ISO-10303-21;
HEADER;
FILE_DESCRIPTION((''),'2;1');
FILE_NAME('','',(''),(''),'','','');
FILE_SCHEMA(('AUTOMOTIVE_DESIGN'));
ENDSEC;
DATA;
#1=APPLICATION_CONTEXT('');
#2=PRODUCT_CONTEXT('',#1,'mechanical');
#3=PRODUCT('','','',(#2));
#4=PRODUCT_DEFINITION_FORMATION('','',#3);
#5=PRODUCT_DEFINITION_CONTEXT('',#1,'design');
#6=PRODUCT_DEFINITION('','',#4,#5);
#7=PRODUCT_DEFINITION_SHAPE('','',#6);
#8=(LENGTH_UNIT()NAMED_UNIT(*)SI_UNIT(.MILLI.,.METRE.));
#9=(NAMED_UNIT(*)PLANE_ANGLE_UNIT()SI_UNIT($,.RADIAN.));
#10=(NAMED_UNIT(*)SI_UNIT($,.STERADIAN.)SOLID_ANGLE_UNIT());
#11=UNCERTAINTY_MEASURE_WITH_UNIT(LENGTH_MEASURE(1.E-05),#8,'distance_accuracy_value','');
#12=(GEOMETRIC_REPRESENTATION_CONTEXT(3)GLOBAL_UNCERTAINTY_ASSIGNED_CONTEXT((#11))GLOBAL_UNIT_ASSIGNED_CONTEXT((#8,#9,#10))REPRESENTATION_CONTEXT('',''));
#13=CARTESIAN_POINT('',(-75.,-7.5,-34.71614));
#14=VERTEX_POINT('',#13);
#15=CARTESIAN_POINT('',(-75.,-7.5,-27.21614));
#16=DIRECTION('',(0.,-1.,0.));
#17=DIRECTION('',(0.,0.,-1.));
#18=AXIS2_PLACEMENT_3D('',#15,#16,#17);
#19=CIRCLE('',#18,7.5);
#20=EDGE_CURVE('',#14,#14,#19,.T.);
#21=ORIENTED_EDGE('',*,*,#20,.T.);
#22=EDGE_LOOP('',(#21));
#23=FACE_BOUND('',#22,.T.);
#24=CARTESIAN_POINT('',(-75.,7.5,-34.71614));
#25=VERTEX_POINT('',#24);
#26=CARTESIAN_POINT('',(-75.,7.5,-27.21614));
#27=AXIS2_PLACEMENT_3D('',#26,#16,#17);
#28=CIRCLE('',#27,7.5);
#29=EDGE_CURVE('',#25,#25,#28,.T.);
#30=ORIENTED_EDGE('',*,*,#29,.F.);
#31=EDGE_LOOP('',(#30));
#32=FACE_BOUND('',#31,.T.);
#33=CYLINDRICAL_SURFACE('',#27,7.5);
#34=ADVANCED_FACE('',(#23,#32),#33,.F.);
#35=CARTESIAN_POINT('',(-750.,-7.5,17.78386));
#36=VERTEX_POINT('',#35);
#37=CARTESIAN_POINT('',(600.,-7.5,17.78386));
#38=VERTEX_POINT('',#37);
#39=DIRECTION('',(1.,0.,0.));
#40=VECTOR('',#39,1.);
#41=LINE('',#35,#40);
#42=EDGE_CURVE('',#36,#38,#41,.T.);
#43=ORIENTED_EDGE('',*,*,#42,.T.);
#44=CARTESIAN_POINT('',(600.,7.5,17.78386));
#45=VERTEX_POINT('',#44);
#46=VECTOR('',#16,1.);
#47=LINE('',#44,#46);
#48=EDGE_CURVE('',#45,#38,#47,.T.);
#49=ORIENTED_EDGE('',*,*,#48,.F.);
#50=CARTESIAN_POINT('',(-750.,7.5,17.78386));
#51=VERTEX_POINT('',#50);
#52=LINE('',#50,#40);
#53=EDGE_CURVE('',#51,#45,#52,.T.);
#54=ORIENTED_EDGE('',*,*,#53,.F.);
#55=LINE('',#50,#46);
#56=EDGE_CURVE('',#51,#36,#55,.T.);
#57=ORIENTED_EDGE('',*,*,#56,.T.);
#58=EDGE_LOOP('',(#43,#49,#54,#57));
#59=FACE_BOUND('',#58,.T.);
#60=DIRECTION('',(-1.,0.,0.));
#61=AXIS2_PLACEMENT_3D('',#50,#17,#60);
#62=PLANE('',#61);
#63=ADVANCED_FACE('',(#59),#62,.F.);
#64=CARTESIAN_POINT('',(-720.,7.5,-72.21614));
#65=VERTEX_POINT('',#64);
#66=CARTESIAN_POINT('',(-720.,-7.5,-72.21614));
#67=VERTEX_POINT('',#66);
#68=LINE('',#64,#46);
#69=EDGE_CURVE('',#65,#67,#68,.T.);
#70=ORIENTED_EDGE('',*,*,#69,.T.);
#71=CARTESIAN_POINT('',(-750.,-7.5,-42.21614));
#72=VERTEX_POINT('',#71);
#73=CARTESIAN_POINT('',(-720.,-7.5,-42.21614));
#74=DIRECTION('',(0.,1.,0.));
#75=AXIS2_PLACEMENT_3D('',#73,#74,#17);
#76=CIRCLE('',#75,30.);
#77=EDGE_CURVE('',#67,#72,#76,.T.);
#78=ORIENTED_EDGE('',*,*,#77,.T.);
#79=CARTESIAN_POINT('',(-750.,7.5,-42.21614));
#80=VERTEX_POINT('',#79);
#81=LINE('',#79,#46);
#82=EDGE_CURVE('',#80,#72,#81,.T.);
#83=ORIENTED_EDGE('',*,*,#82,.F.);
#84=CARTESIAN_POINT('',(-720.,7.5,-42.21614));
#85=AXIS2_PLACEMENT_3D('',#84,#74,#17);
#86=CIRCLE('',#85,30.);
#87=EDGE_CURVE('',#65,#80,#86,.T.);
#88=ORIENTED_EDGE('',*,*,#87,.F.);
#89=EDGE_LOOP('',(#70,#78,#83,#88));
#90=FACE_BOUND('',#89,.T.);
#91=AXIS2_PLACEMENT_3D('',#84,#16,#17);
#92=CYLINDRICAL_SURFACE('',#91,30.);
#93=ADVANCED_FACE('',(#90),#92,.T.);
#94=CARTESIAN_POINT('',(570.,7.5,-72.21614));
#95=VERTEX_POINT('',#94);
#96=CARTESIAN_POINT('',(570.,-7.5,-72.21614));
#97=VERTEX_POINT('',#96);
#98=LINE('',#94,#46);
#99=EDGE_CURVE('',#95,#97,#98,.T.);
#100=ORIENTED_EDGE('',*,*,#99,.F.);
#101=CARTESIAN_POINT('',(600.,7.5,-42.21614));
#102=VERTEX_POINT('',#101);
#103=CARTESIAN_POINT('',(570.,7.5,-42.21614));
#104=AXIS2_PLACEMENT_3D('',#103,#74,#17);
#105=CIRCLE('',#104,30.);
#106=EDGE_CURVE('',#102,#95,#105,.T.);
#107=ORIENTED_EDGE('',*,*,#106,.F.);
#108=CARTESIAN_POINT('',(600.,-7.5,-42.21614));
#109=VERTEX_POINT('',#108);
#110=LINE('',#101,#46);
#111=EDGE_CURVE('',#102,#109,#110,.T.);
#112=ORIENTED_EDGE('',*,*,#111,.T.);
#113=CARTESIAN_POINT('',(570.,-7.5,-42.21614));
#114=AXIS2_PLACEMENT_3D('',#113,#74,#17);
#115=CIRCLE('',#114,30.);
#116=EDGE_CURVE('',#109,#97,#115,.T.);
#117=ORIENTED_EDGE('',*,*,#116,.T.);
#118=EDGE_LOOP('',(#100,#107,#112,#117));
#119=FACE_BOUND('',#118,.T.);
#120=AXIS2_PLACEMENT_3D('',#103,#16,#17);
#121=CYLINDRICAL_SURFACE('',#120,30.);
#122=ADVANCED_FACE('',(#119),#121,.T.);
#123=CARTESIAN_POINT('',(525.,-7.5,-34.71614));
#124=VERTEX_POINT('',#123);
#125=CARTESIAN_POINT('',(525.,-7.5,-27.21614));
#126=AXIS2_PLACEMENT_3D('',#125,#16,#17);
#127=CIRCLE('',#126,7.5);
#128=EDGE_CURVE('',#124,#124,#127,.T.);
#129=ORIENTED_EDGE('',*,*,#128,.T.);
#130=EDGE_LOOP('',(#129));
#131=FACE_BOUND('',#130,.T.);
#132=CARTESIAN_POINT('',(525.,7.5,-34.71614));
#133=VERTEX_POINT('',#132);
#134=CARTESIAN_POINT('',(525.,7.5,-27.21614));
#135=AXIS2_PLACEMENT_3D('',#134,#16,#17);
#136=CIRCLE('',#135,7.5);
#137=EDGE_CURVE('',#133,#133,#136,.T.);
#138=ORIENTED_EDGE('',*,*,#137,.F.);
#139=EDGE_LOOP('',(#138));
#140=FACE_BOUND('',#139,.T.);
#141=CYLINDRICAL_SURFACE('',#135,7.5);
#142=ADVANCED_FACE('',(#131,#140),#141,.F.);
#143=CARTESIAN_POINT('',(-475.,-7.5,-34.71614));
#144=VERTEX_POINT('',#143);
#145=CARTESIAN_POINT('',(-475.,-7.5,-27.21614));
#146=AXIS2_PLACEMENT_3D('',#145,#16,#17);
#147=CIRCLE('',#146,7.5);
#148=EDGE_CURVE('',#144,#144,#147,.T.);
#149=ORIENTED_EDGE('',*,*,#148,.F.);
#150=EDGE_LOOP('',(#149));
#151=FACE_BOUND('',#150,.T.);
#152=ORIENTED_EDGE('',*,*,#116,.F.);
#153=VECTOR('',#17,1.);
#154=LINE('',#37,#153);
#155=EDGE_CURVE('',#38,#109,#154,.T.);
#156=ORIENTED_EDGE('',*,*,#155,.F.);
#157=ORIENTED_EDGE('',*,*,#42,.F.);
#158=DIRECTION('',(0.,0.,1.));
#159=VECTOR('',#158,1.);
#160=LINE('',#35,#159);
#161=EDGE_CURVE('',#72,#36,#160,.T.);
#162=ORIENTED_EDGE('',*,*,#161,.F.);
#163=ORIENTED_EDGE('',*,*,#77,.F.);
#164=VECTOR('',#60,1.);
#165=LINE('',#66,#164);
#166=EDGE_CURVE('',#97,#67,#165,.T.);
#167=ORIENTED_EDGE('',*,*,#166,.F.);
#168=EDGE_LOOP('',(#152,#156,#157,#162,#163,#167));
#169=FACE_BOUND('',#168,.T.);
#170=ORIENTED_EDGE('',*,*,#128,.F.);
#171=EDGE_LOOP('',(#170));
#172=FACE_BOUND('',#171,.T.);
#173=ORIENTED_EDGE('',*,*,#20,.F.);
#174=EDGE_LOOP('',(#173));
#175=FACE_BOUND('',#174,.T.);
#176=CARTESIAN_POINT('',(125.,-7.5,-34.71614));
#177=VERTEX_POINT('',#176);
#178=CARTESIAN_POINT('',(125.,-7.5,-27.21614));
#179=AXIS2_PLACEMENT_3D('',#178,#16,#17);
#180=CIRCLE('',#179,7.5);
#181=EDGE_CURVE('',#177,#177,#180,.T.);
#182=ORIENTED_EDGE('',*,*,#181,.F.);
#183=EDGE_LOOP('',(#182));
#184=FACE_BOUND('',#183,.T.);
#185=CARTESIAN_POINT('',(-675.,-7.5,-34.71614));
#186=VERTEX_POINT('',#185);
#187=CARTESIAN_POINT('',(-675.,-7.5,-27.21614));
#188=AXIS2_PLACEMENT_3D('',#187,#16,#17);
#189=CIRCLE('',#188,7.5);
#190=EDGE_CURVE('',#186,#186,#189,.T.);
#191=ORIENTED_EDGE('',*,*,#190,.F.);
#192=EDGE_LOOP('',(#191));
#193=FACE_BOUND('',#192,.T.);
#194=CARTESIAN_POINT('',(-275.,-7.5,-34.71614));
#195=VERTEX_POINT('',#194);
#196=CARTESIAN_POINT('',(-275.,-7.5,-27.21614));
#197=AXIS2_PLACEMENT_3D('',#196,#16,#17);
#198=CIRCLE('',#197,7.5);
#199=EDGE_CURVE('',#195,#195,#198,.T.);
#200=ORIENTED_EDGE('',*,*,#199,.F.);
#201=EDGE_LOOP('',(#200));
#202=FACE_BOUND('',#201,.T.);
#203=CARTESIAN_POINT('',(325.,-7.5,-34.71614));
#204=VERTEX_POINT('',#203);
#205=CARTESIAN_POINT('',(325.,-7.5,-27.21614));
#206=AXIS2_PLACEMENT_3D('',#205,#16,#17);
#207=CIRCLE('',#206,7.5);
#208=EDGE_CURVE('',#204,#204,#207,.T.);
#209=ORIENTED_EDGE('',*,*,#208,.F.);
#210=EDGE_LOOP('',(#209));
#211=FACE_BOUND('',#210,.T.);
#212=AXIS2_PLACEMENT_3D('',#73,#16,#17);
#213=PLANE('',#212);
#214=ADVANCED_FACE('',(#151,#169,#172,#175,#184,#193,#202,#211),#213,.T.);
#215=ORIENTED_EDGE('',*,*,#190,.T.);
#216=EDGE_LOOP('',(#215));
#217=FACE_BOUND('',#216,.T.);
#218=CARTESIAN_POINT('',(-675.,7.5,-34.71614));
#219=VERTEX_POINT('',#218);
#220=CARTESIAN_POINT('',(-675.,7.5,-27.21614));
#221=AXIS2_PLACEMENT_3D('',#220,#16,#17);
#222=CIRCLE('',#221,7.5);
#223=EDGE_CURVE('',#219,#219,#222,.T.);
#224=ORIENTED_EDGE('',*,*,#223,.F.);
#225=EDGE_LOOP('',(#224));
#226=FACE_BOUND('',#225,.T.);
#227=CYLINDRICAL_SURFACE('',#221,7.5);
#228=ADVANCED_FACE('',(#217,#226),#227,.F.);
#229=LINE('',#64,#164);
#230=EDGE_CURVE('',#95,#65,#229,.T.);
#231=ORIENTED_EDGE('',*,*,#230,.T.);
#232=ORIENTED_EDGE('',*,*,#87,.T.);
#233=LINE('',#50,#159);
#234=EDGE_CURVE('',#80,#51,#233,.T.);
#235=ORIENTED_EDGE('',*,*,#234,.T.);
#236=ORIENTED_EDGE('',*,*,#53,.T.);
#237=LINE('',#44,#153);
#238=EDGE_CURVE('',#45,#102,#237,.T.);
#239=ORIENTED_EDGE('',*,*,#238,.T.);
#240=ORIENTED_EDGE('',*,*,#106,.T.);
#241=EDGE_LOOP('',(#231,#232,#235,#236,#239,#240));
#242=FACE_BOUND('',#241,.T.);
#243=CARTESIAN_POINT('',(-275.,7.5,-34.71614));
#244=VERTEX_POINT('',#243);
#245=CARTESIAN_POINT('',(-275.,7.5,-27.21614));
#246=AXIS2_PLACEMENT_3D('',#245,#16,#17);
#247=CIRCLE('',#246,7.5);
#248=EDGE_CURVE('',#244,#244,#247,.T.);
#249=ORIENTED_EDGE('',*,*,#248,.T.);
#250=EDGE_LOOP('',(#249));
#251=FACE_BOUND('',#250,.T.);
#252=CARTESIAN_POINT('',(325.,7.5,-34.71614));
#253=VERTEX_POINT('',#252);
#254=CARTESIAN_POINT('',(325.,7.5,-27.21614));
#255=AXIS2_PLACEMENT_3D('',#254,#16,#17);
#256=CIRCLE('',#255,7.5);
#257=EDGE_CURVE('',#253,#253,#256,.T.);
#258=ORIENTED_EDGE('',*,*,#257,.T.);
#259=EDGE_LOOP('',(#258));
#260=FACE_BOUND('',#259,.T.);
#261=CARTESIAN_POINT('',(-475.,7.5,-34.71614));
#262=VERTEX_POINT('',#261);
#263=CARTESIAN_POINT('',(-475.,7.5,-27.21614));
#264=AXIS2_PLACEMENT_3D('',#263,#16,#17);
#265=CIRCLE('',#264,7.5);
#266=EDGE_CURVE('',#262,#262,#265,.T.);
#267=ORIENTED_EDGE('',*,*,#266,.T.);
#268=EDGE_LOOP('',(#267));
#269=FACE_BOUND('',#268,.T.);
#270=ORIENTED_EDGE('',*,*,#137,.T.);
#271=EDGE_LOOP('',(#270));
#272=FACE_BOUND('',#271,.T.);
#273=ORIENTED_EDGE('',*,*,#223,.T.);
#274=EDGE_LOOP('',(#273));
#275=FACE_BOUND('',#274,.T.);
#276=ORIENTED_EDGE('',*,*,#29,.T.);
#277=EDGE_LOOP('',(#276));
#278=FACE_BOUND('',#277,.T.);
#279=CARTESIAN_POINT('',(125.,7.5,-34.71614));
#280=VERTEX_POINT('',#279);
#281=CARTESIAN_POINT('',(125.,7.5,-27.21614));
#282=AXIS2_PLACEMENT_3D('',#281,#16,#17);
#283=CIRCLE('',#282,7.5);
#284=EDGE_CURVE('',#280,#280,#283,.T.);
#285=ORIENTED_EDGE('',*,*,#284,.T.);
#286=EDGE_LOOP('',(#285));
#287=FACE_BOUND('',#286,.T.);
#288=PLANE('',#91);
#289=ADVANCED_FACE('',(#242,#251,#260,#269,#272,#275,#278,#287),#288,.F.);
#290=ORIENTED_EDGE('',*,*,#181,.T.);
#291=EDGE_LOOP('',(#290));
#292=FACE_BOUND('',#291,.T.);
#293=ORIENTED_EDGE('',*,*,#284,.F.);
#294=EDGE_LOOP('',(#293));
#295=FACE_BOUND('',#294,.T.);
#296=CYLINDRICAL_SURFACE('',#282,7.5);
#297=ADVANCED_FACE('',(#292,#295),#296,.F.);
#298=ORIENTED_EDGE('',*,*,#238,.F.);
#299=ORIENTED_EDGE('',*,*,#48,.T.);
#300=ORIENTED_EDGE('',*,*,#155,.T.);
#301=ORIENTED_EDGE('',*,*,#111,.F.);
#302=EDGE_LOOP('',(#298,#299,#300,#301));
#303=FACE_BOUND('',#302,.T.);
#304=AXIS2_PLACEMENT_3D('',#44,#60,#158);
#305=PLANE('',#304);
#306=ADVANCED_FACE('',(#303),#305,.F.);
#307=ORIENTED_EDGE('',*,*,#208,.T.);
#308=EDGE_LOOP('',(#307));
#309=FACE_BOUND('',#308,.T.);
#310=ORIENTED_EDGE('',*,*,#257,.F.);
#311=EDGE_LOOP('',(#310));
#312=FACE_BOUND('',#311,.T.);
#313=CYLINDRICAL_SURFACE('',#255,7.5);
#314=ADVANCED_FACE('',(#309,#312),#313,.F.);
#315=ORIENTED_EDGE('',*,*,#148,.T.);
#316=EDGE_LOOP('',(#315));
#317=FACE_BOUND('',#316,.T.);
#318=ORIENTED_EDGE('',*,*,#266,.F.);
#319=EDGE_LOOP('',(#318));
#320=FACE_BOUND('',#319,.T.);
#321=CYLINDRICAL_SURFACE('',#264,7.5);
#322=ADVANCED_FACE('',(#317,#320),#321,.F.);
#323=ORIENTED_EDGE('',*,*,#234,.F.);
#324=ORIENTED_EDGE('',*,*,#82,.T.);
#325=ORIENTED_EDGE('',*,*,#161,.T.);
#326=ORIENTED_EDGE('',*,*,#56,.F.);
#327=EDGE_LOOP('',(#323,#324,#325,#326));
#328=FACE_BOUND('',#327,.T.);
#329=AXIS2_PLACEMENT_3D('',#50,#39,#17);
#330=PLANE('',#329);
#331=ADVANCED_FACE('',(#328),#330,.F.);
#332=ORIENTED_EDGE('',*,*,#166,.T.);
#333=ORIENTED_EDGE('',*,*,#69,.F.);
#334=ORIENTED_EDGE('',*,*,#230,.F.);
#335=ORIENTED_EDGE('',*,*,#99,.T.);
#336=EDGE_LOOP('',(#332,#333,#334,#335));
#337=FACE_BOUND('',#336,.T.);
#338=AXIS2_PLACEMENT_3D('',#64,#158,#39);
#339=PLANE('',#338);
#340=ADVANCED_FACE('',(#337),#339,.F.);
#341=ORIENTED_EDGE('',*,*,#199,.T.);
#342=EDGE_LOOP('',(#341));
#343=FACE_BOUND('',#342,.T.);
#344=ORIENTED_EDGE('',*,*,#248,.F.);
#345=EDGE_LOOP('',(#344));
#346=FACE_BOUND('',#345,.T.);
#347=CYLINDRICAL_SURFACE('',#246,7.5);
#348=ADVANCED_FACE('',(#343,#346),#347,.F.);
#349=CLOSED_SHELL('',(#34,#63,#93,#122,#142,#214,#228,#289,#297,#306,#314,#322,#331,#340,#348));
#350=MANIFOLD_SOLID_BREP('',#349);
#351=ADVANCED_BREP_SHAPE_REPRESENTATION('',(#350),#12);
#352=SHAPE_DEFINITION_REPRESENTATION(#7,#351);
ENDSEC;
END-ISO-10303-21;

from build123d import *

# Parameters (mm, degrees)
BOSS_EXTRUDE1_DEPTH = 7.5
SKETCH2_R           = 7.5
CUT_EXTRUDE1_DEPTH  = 754.618053682


with BuildPart() as part:
    # Sketch1 → Boss-Extrude1 (new, symmetric)
    with BuildSketch(Plane(origin=(0, 0, 0), x_dir=(1, 0, 0), z_dir=(0, 1, 0))):
        with BuildLine():
            Line((-750, -17.783860282), (600, -17.783860282))
            Line((600, -17.783860282), (600, 42.216139718))
            ThreePointArc((600, 42.216139718), (591.213203436, 63.429343154), (570, 72.216139718))
            Line((570, 72.216139718), (-720, 72.216139718))
            ThreePointArc((-720, 72.216139718), (-741.213203436, 63.429343154), (-750, 42.216139718))
            Line((-750, 42.216139718), (-750, -17.783860282))
        make_face()
    extrude(amount=BOSS_EXTRUDE1_DEPTH, both=True)

    # Sketch2 → Cut-Extrude1 (cut, through all)
    with BuildSketch(Plane.XZ.offset(7.5)):
        with Locations(Location((-675, -27.216139718, 0), (0, 0, 270))):
            Circle(SKETCH2_R)
        with Locations(Location((-475, -27.216139718, 0), (0, 0, 270))):
            Circle(SKETCH2_R)
        with Locations(Location((-275, -27.216139718, 0), (0, 0, 270))):
            Circle(SKETCH2_R)
        with Locations(Location((-75, -27.216139718, 0), (0, 0, 270))):
            Circle(SKETCH2_R)
        with Locations(Location((125, -27.216139718, 0), (0, 0, 270))):
            Circle(SKETCH2_R)
        with Locations(Location((325, -27.216139718, 0), (0, 0, 270))):
            Circle(SKETCH2_R)
        with Locations(Location((525, -27.216139718, 0), (0, 0, 270))):
            Circle(SKETCH2_R)
    extrude(amount=-CUT_EXTRUDE1_DEPTH, mode=Mode.SUBTRACT)


solid = part.part
